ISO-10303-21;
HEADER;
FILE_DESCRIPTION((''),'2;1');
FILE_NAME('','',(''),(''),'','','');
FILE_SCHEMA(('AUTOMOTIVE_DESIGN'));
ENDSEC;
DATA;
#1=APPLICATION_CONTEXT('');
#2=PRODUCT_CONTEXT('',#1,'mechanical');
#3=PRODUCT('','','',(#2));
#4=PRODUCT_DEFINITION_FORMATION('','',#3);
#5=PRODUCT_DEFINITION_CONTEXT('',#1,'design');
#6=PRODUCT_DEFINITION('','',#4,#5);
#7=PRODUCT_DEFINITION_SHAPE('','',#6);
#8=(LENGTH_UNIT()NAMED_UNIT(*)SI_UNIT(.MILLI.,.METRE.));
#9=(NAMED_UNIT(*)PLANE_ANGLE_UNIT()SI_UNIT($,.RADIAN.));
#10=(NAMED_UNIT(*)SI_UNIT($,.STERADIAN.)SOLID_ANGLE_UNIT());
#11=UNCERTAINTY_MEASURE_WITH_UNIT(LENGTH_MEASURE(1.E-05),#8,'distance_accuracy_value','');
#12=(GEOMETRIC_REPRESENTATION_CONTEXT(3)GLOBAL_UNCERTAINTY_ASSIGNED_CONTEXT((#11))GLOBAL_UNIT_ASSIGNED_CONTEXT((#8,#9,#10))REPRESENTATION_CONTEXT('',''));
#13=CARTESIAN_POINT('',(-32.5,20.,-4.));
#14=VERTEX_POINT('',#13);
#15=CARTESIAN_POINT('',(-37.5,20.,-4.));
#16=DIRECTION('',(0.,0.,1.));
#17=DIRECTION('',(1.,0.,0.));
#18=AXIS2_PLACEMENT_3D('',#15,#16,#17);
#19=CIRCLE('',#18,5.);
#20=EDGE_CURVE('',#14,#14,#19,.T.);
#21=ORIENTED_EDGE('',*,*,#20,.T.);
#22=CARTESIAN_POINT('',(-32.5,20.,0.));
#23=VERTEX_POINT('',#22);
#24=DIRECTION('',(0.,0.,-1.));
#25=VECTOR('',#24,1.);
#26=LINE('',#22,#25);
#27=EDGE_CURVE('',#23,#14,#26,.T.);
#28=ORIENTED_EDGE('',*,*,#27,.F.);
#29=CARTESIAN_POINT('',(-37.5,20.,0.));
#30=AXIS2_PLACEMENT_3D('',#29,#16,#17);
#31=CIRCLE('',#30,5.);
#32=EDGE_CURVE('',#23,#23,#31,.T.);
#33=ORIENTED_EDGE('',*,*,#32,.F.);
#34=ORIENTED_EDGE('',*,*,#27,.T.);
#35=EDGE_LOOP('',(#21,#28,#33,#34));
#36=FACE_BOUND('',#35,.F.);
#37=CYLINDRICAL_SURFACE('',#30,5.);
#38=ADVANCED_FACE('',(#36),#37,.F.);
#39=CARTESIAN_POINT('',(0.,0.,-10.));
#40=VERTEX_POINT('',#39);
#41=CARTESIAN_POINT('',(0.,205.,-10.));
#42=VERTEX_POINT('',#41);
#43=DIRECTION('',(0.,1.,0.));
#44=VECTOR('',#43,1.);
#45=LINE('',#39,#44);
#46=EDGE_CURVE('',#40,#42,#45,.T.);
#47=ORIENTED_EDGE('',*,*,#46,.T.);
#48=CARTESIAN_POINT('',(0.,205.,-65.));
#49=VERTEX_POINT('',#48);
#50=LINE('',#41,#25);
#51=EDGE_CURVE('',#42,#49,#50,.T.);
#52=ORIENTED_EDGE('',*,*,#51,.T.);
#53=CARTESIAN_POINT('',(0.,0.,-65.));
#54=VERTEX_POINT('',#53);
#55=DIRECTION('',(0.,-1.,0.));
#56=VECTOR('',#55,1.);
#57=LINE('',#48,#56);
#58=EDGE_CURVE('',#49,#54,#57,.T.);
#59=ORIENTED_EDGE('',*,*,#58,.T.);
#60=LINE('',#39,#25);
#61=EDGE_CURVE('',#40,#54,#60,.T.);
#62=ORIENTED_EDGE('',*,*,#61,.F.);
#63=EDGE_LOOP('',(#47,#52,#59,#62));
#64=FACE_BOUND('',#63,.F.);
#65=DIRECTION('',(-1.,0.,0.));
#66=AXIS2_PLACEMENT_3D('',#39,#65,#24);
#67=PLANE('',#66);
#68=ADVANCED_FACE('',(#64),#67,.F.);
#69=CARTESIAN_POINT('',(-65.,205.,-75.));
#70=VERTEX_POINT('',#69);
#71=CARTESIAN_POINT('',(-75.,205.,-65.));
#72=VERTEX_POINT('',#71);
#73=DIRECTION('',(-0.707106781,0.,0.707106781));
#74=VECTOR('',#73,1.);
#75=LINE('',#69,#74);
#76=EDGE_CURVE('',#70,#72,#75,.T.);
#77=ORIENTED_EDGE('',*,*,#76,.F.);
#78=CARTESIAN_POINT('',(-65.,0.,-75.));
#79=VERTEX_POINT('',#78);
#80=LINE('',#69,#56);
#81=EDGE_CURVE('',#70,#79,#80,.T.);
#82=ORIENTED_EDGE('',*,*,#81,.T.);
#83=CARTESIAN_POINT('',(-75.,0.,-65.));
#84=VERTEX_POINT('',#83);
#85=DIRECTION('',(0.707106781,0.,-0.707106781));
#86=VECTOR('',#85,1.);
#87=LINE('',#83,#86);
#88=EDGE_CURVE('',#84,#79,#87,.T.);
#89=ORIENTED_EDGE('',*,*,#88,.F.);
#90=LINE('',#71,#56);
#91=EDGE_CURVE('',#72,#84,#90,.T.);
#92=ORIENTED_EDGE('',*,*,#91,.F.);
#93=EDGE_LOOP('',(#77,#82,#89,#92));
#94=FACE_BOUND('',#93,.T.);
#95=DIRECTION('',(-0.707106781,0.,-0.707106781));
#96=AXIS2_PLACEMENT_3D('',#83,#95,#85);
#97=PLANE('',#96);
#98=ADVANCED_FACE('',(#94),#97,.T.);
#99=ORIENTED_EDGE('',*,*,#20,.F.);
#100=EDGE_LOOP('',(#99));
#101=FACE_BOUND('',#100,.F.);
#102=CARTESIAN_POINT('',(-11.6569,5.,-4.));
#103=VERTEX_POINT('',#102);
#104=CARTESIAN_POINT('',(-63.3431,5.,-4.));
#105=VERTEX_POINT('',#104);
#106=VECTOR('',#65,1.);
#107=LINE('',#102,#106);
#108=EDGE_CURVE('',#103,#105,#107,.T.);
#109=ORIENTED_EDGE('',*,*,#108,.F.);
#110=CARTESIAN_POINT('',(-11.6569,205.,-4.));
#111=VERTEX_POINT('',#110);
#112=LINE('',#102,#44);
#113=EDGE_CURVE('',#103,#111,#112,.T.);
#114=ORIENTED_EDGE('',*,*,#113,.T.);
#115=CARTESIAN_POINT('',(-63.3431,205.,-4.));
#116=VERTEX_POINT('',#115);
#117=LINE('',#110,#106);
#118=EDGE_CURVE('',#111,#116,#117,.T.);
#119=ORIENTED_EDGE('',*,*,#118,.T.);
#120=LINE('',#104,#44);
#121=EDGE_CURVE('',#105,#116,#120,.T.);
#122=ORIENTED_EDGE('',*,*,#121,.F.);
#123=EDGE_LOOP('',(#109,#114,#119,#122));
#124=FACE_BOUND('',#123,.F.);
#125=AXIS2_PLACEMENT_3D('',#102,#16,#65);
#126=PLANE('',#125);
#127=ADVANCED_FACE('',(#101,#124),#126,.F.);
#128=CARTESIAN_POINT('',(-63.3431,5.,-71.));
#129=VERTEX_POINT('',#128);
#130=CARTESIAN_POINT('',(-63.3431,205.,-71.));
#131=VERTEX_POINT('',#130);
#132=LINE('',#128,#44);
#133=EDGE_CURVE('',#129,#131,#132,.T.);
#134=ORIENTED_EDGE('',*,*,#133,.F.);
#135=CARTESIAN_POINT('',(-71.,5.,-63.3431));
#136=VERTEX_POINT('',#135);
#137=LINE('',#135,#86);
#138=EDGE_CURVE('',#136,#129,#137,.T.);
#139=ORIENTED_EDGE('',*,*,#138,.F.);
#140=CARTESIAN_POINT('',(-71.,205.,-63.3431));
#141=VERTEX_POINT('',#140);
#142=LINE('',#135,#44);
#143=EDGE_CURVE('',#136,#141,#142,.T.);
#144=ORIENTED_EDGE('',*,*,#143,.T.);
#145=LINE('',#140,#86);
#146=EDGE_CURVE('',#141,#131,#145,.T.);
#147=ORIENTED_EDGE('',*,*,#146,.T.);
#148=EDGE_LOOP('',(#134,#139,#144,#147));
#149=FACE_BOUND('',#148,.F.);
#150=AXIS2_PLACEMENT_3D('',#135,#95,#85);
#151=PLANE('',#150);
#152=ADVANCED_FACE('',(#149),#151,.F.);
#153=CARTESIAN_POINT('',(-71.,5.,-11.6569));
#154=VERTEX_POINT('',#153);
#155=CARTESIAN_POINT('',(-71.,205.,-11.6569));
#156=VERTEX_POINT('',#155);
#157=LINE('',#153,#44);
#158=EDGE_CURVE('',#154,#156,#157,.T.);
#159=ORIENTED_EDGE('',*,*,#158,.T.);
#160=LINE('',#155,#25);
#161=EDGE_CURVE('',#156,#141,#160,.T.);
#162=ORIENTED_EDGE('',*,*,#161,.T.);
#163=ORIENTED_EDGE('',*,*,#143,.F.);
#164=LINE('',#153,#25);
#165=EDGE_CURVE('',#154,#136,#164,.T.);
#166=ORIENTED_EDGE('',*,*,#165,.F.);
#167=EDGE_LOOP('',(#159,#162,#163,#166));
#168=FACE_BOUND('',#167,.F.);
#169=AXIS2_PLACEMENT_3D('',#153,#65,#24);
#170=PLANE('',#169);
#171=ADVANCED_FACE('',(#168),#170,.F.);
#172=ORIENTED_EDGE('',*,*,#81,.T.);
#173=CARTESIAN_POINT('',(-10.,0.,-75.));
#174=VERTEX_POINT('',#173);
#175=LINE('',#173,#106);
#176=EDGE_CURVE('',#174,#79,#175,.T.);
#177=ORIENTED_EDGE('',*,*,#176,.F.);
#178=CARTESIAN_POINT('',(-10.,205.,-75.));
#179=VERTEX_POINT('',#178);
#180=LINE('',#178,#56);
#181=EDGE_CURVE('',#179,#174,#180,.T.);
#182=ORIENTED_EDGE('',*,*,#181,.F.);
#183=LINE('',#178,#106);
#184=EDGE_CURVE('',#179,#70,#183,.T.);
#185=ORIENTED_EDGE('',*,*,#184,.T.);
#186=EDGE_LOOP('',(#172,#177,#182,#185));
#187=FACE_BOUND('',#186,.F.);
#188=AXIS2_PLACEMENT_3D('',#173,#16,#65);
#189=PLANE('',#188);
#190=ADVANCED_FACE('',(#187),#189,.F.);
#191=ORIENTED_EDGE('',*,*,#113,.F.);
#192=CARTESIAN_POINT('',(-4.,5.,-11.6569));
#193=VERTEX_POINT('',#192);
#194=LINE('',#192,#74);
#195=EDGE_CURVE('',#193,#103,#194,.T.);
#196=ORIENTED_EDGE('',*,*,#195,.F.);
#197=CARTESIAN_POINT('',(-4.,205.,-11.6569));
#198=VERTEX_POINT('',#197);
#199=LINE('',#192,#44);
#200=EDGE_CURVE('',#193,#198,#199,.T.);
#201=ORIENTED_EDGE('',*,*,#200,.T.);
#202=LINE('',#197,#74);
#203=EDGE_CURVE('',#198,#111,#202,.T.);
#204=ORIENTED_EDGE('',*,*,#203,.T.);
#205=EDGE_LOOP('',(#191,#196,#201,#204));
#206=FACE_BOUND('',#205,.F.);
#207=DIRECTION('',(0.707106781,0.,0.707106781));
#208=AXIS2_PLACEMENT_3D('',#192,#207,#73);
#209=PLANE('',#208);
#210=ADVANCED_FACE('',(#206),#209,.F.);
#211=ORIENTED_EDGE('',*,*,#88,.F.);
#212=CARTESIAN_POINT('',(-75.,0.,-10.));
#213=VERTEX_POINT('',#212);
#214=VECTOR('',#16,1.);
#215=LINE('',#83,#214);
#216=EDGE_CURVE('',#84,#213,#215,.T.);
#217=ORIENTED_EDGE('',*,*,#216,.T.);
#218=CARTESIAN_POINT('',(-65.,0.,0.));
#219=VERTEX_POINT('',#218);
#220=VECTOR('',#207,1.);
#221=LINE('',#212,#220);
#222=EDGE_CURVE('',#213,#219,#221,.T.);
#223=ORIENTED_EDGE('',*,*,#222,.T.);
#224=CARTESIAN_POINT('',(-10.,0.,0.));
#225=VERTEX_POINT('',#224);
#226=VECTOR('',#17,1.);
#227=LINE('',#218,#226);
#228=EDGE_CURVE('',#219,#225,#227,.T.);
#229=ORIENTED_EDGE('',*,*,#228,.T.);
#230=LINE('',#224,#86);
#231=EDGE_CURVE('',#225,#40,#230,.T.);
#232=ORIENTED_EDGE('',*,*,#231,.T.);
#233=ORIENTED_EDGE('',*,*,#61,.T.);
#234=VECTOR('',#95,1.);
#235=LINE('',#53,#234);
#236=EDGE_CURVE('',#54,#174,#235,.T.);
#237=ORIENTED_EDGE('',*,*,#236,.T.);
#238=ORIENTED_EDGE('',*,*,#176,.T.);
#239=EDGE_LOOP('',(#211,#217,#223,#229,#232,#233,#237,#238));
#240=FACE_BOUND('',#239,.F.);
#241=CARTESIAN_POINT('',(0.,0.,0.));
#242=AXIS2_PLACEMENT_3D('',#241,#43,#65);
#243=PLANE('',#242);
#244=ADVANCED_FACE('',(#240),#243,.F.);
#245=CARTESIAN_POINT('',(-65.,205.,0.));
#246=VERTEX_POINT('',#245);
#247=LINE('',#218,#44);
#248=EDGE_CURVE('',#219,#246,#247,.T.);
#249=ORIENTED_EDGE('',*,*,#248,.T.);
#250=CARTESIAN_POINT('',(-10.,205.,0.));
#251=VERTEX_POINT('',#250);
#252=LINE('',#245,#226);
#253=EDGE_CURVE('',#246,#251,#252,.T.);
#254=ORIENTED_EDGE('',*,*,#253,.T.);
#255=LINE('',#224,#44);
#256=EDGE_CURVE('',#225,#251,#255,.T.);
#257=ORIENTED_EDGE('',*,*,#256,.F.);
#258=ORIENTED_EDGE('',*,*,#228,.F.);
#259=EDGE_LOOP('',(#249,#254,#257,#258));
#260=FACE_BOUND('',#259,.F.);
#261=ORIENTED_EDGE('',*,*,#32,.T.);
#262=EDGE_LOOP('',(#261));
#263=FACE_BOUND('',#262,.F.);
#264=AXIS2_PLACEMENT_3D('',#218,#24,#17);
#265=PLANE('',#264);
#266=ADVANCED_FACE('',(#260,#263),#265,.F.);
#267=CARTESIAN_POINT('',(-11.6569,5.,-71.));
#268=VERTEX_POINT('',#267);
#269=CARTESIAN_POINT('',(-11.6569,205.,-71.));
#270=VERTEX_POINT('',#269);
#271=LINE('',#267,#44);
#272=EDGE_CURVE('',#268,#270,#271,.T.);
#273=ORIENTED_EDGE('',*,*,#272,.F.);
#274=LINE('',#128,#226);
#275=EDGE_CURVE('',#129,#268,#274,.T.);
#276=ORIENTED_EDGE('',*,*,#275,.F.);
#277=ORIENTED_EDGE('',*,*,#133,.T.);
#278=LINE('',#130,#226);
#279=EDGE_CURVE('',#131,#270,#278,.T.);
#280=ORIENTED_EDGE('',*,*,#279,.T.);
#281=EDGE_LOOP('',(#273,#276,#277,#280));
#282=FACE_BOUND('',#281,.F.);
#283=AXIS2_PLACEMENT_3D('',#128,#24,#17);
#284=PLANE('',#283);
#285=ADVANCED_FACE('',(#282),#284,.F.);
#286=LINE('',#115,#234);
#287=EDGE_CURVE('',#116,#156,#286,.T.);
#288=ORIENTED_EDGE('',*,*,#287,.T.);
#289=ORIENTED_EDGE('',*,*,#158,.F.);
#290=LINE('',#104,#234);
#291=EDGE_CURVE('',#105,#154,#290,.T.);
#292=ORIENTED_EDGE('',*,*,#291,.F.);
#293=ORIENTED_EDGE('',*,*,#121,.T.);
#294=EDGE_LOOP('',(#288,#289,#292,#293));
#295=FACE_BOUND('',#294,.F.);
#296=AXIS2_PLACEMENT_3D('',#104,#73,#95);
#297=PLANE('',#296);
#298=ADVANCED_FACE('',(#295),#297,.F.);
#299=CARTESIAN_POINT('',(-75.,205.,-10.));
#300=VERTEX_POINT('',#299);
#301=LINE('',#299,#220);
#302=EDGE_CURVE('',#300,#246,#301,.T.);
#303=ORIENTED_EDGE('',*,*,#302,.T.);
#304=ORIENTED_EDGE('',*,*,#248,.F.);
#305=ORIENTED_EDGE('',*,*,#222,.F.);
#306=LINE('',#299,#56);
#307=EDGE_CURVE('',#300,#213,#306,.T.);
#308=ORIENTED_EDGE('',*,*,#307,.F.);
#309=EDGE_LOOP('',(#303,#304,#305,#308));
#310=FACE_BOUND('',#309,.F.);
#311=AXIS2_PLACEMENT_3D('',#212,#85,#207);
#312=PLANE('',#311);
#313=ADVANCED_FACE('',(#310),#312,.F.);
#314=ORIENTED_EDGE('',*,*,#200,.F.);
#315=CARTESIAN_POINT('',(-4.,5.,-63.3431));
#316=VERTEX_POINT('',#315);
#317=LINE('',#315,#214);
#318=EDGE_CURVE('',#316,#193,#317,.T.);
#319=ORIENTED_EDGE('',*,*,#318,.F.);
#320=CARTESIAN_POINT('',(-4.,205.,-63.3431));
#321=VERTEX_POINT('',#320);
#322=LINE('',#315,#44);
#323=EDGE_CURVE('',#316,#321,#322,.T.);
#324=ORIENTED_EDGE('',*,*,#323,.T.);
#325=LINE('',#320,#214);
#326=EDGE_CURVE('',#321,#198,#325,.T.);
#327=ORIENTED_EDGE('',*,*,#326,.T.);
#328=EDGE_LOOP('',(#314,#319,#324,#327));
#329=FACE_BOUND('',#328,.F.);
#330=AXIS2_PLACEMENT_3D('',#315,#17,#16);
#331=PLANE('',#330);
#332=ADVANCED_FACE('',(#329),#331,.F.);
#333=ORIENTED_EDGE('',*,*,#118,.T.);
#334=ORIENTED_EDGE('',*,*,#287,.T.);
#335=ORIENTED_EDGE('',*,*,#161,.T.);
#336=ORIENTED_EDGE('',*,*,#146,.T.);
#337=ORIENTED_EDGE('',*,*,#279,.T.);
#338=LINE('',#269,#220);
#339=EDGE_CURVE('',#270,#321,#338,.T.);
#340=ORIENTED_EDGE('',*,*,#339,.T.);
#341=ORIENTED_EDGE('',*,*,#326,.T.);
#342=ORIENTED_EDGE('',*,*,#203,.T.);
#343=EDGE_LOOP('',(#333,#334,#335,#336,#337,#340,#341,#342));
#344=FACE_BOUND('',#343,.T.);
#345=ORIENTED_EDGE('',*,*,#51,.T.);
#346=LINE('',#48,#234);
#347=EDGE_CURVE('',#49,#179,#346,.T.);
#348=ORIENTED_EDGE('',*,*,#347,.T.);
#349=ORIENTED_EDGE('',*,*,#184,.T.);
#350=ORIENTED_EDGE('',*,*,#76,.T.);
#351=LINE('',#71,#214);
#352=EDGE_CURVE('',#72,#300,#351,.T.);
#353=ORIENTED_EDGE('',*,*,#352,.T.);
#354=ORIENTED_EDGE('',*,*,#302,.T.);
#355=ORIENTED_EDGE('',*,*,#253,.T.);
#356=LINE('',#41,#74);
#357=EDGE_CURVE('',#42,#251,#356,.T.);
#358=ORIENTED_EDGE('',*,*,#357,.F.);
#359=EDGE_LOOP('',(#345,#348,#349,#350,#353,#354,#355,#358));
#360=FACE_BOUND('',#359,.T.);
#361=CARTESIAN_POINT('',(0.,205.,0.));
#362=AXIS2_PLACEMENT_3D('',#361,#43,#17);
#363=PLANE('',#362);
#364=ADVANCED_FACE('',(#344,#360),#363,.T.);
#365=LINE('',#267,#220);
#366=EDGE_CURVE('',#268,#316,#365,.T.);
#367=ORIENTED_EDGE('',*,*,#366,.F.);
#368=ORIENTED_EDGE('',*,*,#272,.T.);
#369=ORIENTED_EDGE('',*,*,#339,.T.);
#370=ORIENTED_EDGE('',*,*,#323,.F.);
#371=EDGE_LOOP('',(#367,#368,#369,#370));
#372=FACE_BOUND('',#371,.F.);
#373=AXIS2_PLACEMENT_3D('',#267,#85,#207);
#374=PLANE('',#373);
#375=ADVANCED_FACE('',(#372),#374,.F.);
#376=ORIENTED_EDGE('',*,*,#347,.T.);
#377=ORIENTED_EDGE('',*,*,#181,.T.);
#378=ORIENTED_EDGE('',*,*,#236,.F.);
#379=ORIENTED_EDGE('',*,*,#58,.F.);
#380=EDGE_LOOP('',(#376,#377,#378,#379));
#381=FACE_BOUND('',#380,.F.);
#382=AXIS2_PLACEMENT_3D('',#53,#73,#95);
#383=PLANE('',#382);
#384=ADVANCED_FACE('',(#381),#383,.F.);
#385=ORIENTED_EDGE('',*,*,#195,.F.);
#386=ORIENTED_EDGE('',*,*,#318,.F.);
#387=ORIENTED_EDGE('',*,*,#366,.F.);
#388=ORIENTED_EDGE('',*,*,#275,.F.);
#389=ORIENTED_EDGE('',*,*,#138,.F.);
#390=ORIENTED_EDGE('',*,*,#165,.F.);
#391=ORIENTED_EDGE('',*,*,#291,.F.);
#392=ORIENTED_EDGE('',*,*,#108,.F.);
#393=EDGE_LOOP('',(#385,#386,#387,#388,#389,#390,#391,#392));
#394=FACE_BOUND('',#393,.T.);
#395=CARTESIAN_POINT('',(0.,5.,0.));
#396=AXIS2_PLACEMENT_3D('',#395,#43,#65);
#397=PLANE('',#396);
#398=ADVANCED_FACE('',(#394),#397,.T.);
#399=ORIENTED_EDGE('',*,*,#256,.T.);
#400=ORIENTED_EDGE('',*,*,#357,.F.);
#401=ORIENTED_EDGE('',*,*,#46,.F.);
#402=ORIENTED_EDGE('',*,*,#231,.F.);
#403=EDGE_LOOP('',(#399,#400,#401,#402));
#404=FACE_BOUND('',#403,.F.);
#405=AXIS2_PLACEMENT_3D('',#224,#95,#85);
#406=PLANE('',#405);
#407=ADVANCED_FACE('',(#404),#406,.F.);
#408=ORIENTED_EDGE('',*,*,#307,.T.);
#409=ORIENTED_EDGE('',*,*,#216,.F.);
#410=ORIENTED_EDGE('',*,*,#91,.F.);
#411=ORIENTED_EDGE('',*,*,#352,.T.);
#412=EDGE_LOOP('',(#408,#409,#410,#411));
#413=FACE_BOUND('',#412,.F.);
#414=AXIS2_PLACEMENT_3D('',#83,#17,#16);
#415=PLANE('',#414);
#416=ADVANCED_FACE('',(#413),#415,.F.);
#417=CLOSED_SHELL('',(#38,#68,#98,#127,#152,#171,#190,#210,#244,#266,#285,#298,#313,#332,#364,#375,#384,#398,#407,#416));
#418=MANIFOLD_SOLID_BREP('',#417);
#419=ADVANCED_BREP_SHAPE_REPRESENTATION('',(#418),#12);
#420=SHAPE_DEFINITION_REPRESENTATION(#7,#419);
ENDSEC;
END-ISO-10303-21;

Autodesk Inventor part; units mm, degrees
ref_plane "YZ Plane" through (0, 0, 0) normal (1, 0, 0) x (0, 1, 0)
ref_plane "XZ Plane" through (0, 0, 0) normal (0, 1, 0) x (-1, 0, 0)
ref_plane "XY Plane" through (0, 0, 0) normal (0, 0, 1) x (1, 0, 0)
sketch "Sketch1" plane through (0, 0, 0) normal (0, 1, 0) x (-1, 0, 0)
  line L0 (65, 0) -> (10, 0)
  line L1 (0, -10) -> (0, -65)
  line L2 (10, -75) -> (65, -75)
  line L3 (75, -65) -> (75, -10)
  line L4 (75, -10) -> (65, 0)
  line L5 (10, 0) -> (0, -10)
  line L6 (0, -65) -> (10, -75)
  line L7 (75, -65) -> (65, -75)
  point P0 (0, 0)
  point P1 (0, 0)
  point P2 (75, 0)
  point P3 (0, -75)
  point P4 (0, 0)
  point P5 (75, -75)
  dimension "d0" = 75
  dimension "d1" = 75
  dimension "d2" = 10
  dimension "d3" = 10
  dimension "d4" = 10
  dimension "d5" = 10
  dimension "d6" = 10
  dimension "d7" = 10
  dimension "d8" = 10
  dimension "d9" = 10
extrude "Extrusion1" add sketch "Sketch1" along normal blind 5
sketch "Sketch2" plane through (0, 5, 0) normal (0, 1, 0) x (1, 0, 0)
  line L0 (-10, 75) -> (-65, 75)
  line L1 (-75, 65) -> (-75, 10)
  line L2 (-65, 0) -> (-10, 0)
  line L3 (0, 10) -> (0, 65)
  line L4 (0, 65) -> (-10, 75)
  line L5 (-65, 75) -> (-75, 65)
  line L6 (-75, 10) -> (-65, 0)
  line L7 (0, 10) -> (-10, 0)
  line L8 (-11.6569, 71) -> (-4, 63.3431)
  line L9 (-4, 63.3431) -> (-4, 11.6569)
  line L10 (-4, 11.6569) -> (-11.6569, 4)
  line L11 (-11.6569, 4) -> (-63.3431, 4)
  line L12 (-63.3431, 4) -> (-71, 11.6569)
  line L13 (-71, 11.6569) -> (-71, 63.3431)
  line L14 (-71, 63.3431) -> (-63.3431, 71)
  line L15 (-63.3431, 71) -> (-11.6569, 71)
  point P0 (0, 0)
  point P1 (-75, 75)
  point P2 (-75, 75)
  point P3 (0, 75)
  point P4 (-75, 0)
  point P5 (-75, 75)
  point P6 (0, 0)
  dimension "d12" = 75
  dimension "d13" = 75
  dimension "d14" = 10
  dimension "d15" = 10
  dimension "d16" = 10
  dimension "d17" = 10
  dimension "d18" = 10
  dimension "d19" = 10
  dimension "d20" = 10
  dimension "d21" = 10
  dimension "d22" = 4
extrude "Extrusion2" add sketch "Sketch2" along normal blind 200
sketch "Sketch3" plane through (-65, 0, 0) normal (0, 0, 1) x (1, 0, 0)
  circle A0 centre (27.5, 20) radius 5
  line L0 (0, 0) -> (0, 205) projected
  line L1 (0, 0) -> (55, 0) projected
  point P0 (65, 0)
  point P1 (27.5, 0)
  dimension "d25" = 10
  dimension "d26" = 27.5
  dimension "d27" = 20
extrude "Extrusion3" cut sketch "Sketch3" against normal blind 4
equation "\"d3\" = d2"
equation "\"d4\" = d2"
equation "\"d5\" = d4"
equation "\"d6\" = d2"
equation "\"d7\" = d6"
equation "\"d8\" = d2"
equation "\"d9\" = d8"
equation "\"d15\" = d14"
equation "\"d16\" = d14"
equation "\"d17\" = d16"
equation "\"d18\" = d14"
equation "\"d19\" = d18"
equation "\"d20\" = d14"
equation "\"d21\" = d20"
properties part number "detector_leg"
